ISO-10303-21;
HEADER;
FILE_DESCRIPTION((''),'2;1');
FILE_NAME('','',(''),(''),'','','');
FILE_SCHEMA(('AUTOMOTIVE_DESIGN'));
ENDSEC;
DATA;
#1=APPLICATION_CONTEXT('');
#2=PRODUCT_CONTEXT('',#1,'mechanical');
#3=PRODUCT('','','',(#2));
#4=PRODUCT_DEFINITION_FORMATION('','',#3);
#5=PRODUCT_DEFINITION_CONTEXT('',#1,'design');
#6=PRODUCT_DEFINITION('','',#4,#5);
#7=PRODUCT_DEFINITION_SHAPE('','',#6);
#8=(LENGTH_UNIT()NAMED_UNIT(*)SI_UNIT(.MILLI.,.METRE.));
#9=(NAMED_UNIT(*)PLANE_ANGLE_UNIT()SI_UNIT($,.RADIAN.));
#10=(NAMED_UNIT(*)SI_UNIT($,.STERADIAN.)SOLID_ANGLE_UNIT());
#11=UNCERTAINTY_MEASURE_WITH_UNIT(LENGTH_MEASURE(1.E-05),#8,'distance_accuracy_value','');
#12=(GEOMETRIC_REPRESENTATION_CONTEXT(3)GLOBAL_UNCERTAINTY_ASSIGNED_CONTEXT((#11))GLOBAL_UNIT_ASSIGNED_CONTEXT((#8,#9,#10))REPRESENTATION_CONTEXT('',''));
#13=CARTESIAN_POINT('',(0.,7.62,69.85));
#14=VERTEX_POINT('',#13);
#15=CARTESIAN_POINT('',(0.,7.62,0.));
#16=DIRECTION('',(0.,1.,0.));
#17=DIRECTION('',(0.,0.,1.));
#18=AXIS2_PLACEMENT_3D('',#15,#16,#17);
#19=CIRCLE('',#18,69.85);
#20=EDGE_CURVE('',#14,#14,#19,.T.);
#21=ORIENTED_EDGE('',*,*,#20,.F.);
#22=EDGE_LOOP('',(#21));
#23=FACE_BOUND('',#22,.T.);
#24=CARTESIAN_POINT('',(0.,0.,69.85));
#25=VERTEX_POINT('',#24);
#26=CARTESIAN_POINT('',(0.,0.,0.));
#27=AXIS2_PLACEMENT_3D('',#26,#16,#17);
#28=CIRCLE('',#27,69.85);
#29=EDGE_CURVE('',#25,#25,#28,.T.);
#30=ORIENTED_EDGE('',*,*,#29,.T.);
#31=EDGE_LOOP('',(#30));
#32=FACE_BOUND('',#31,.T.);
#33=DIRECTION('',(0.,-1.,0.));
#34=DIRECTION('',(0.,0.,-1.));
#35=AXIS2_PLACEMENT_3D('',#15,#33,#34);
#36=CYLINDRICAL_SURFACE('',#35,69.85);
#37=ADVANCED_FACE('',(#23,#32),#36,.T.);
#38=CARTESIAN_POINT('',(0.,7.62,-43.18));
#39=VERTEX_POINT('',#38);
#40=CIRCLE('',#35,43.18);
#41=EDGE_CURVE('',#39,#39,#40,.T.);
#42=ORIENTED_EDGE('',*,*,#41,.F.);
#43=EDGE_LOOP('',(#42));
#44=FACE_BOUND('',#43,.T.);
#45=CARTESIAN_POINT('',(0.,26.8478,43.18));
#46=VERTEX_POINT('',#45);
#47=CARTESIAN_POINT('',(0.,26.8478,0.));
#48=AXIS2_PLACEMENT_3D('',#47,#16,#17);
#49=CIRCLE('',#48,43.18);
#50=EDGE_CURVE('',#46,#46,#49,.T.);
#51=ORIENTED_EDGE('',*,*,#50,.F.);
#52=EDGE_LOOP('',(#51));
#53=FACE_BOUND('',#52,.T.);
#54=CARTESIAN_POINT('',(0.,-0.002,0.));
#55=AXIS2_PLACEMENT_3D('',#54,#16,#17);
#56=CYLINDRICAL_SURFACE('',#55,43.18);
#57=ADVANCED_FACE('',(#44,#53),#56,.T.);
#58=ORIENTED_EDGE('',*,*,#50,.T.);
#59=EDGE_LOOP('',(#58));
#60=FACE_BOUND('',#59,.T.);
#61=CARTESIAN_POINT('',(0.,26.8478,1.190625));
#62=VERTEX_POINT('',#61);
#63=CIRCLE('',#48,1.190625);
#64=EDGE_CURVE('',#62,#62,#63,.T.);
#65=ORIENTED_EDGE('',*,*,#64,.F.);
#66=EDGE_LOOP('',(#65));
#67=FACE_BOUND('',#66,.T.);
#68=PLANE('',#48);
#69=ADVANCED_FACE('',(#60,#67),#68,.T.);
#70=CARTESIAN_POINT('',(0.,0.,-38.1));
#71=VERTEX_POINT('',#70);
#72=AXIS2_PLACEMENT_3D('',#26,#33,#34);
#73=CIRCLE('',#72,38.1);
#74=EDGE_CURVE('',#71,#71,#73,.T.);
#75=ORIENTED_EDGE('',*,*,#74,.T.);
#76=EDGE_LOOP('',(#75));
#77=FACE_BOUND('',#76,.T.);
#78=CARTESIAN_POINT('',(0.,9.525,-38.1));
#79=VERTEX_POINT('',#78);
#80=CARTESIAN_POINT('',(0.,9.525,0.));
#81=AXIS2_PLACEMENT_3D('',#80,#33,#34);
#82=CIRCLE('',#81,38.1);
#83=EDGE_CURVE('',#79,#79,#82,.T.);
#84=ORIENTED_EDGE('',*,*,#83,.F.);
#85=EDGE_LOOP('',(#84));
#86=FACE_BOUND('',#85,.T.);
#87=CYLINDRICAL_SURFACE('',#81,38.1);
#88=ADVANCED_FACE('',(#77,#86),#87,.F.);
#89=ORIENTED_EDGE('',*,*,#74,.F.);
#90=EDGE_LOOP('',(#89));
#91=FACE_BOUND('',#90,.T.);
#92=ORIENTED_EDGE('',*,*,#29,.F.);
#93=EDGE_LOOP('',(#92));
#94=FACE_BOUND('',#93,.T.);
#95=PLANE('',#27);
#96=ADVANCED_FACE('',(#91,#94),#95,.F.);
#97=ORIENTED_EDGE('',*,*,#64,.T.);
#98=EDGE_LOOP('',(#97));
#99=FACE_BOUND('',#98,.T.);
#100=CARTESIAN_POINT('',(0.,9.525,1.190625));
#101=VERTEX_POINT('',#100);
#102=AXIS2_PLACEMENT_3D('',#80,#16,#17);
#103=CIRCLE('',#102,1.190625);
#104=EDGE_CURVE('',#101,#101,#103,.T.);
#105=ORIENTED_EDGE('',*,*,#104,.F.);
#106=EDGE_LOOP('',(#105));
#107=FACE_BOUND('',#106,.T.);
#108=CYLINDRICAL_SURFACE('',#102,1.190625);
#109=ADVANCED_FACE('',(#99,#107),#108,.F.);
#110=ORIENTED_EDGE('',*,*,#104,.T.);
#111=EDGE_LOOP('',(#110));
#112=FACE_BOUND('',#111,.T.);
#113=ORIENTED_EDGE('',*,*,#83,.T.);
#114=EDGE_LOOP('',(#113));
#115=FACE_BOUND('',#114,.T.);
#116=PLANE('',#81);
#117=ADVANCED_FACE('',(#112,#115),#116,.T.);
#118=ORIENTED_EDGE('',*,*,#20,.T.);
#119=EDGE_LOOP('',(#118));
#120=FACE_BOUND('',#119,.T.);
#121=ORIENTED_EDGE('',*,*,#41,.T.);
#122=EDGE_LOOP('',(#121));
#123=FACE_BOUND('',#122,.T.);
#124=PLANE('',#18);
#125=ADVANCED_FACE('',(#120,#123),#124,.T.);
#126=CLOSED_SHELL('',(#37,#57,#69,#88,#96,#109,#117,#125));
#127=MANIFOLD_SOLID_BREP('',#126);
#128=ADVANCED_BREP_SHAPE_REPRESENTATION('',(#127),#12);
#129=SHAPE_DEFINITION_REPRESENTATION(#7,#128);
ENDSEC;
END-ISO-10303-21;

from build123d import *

# Parameters (mm, degrees)
SKETCH1_R                = 69.85
BOSS_EXTRUDE1_DEPTH      = 7.62
SKETCH5_R                = 43.18
BOSS_EXTRUDE2_DEPTH      = 12.7
BOSS_EXTRUDE2_DEPTH_BACK = 14.1478
SKETCH6_R                = 1.190625
CUT_EXTRUDE2_DEPTH       = 17.3228
SKETCH7_R                = 38.1
CUT_EXTRUDE3_DEPTH       = 9.525


with BuildPart() as part:
    # Sketch1 → Boss-Extrude1 (new body)
    with BuildSketch(Plane(origin=(0, 0, 0), x_dir=(1, 0, 0), z_dir=(0, 1, 0))):
        Circle(SKETCH1_R)
    extrude(amount=BOSS_EXTRUDE1_DEPTH)

    # Sketch3 → Revolve1 (revolve)
    with BuildSketch(Plane.XY):
        Polygon((0, 14.1478), (31.873518738, 14.1478), (43.18, 7.62), (0, 7.62), align=None)
    revolve(axis=Axis((0, 7.62, 0), (0, 1, 0)))

    # Sketch5 → Boss-Extrude2 (add, two sides)
    with BuildSketch(Plane(origin=(0, 14.1478, 0), x_dir=(1, 0, 0), z_dir=(0, 1, 0))) as boss_extrude2_sk:
        Circle(SKETCH5_R)
    extrude(amount=BOSS_EXTRUDE2_DEPTH)
    extrude(boss_extrude2_sk.sketch, amount=-BOSS_EXTRUDE2_DEPTH_BACK)

    # Sketch6 → Cut-Extrude2 (cut)
    with BuildSketch(Plane(origin=(0, 26.8478, 0), x_dir=(1, 0, 0), z_dir=(0, 1, 0))):
        Circle(SKETCH6_R)
    extrude(amount=-CUT_EXTRUDE2_DEPTH, mode=Mode.SUBTRACT)

    # Sketch7 → Cut-Extrude3 (cut)
    with BuildSketch(Plane.XZ):
        Circle(SKETCH7_R)
    extrude(amount=-CUT_EXTRUDE3_DEPTH, mode=Mode.SUBTRACT)


solid = part.part
